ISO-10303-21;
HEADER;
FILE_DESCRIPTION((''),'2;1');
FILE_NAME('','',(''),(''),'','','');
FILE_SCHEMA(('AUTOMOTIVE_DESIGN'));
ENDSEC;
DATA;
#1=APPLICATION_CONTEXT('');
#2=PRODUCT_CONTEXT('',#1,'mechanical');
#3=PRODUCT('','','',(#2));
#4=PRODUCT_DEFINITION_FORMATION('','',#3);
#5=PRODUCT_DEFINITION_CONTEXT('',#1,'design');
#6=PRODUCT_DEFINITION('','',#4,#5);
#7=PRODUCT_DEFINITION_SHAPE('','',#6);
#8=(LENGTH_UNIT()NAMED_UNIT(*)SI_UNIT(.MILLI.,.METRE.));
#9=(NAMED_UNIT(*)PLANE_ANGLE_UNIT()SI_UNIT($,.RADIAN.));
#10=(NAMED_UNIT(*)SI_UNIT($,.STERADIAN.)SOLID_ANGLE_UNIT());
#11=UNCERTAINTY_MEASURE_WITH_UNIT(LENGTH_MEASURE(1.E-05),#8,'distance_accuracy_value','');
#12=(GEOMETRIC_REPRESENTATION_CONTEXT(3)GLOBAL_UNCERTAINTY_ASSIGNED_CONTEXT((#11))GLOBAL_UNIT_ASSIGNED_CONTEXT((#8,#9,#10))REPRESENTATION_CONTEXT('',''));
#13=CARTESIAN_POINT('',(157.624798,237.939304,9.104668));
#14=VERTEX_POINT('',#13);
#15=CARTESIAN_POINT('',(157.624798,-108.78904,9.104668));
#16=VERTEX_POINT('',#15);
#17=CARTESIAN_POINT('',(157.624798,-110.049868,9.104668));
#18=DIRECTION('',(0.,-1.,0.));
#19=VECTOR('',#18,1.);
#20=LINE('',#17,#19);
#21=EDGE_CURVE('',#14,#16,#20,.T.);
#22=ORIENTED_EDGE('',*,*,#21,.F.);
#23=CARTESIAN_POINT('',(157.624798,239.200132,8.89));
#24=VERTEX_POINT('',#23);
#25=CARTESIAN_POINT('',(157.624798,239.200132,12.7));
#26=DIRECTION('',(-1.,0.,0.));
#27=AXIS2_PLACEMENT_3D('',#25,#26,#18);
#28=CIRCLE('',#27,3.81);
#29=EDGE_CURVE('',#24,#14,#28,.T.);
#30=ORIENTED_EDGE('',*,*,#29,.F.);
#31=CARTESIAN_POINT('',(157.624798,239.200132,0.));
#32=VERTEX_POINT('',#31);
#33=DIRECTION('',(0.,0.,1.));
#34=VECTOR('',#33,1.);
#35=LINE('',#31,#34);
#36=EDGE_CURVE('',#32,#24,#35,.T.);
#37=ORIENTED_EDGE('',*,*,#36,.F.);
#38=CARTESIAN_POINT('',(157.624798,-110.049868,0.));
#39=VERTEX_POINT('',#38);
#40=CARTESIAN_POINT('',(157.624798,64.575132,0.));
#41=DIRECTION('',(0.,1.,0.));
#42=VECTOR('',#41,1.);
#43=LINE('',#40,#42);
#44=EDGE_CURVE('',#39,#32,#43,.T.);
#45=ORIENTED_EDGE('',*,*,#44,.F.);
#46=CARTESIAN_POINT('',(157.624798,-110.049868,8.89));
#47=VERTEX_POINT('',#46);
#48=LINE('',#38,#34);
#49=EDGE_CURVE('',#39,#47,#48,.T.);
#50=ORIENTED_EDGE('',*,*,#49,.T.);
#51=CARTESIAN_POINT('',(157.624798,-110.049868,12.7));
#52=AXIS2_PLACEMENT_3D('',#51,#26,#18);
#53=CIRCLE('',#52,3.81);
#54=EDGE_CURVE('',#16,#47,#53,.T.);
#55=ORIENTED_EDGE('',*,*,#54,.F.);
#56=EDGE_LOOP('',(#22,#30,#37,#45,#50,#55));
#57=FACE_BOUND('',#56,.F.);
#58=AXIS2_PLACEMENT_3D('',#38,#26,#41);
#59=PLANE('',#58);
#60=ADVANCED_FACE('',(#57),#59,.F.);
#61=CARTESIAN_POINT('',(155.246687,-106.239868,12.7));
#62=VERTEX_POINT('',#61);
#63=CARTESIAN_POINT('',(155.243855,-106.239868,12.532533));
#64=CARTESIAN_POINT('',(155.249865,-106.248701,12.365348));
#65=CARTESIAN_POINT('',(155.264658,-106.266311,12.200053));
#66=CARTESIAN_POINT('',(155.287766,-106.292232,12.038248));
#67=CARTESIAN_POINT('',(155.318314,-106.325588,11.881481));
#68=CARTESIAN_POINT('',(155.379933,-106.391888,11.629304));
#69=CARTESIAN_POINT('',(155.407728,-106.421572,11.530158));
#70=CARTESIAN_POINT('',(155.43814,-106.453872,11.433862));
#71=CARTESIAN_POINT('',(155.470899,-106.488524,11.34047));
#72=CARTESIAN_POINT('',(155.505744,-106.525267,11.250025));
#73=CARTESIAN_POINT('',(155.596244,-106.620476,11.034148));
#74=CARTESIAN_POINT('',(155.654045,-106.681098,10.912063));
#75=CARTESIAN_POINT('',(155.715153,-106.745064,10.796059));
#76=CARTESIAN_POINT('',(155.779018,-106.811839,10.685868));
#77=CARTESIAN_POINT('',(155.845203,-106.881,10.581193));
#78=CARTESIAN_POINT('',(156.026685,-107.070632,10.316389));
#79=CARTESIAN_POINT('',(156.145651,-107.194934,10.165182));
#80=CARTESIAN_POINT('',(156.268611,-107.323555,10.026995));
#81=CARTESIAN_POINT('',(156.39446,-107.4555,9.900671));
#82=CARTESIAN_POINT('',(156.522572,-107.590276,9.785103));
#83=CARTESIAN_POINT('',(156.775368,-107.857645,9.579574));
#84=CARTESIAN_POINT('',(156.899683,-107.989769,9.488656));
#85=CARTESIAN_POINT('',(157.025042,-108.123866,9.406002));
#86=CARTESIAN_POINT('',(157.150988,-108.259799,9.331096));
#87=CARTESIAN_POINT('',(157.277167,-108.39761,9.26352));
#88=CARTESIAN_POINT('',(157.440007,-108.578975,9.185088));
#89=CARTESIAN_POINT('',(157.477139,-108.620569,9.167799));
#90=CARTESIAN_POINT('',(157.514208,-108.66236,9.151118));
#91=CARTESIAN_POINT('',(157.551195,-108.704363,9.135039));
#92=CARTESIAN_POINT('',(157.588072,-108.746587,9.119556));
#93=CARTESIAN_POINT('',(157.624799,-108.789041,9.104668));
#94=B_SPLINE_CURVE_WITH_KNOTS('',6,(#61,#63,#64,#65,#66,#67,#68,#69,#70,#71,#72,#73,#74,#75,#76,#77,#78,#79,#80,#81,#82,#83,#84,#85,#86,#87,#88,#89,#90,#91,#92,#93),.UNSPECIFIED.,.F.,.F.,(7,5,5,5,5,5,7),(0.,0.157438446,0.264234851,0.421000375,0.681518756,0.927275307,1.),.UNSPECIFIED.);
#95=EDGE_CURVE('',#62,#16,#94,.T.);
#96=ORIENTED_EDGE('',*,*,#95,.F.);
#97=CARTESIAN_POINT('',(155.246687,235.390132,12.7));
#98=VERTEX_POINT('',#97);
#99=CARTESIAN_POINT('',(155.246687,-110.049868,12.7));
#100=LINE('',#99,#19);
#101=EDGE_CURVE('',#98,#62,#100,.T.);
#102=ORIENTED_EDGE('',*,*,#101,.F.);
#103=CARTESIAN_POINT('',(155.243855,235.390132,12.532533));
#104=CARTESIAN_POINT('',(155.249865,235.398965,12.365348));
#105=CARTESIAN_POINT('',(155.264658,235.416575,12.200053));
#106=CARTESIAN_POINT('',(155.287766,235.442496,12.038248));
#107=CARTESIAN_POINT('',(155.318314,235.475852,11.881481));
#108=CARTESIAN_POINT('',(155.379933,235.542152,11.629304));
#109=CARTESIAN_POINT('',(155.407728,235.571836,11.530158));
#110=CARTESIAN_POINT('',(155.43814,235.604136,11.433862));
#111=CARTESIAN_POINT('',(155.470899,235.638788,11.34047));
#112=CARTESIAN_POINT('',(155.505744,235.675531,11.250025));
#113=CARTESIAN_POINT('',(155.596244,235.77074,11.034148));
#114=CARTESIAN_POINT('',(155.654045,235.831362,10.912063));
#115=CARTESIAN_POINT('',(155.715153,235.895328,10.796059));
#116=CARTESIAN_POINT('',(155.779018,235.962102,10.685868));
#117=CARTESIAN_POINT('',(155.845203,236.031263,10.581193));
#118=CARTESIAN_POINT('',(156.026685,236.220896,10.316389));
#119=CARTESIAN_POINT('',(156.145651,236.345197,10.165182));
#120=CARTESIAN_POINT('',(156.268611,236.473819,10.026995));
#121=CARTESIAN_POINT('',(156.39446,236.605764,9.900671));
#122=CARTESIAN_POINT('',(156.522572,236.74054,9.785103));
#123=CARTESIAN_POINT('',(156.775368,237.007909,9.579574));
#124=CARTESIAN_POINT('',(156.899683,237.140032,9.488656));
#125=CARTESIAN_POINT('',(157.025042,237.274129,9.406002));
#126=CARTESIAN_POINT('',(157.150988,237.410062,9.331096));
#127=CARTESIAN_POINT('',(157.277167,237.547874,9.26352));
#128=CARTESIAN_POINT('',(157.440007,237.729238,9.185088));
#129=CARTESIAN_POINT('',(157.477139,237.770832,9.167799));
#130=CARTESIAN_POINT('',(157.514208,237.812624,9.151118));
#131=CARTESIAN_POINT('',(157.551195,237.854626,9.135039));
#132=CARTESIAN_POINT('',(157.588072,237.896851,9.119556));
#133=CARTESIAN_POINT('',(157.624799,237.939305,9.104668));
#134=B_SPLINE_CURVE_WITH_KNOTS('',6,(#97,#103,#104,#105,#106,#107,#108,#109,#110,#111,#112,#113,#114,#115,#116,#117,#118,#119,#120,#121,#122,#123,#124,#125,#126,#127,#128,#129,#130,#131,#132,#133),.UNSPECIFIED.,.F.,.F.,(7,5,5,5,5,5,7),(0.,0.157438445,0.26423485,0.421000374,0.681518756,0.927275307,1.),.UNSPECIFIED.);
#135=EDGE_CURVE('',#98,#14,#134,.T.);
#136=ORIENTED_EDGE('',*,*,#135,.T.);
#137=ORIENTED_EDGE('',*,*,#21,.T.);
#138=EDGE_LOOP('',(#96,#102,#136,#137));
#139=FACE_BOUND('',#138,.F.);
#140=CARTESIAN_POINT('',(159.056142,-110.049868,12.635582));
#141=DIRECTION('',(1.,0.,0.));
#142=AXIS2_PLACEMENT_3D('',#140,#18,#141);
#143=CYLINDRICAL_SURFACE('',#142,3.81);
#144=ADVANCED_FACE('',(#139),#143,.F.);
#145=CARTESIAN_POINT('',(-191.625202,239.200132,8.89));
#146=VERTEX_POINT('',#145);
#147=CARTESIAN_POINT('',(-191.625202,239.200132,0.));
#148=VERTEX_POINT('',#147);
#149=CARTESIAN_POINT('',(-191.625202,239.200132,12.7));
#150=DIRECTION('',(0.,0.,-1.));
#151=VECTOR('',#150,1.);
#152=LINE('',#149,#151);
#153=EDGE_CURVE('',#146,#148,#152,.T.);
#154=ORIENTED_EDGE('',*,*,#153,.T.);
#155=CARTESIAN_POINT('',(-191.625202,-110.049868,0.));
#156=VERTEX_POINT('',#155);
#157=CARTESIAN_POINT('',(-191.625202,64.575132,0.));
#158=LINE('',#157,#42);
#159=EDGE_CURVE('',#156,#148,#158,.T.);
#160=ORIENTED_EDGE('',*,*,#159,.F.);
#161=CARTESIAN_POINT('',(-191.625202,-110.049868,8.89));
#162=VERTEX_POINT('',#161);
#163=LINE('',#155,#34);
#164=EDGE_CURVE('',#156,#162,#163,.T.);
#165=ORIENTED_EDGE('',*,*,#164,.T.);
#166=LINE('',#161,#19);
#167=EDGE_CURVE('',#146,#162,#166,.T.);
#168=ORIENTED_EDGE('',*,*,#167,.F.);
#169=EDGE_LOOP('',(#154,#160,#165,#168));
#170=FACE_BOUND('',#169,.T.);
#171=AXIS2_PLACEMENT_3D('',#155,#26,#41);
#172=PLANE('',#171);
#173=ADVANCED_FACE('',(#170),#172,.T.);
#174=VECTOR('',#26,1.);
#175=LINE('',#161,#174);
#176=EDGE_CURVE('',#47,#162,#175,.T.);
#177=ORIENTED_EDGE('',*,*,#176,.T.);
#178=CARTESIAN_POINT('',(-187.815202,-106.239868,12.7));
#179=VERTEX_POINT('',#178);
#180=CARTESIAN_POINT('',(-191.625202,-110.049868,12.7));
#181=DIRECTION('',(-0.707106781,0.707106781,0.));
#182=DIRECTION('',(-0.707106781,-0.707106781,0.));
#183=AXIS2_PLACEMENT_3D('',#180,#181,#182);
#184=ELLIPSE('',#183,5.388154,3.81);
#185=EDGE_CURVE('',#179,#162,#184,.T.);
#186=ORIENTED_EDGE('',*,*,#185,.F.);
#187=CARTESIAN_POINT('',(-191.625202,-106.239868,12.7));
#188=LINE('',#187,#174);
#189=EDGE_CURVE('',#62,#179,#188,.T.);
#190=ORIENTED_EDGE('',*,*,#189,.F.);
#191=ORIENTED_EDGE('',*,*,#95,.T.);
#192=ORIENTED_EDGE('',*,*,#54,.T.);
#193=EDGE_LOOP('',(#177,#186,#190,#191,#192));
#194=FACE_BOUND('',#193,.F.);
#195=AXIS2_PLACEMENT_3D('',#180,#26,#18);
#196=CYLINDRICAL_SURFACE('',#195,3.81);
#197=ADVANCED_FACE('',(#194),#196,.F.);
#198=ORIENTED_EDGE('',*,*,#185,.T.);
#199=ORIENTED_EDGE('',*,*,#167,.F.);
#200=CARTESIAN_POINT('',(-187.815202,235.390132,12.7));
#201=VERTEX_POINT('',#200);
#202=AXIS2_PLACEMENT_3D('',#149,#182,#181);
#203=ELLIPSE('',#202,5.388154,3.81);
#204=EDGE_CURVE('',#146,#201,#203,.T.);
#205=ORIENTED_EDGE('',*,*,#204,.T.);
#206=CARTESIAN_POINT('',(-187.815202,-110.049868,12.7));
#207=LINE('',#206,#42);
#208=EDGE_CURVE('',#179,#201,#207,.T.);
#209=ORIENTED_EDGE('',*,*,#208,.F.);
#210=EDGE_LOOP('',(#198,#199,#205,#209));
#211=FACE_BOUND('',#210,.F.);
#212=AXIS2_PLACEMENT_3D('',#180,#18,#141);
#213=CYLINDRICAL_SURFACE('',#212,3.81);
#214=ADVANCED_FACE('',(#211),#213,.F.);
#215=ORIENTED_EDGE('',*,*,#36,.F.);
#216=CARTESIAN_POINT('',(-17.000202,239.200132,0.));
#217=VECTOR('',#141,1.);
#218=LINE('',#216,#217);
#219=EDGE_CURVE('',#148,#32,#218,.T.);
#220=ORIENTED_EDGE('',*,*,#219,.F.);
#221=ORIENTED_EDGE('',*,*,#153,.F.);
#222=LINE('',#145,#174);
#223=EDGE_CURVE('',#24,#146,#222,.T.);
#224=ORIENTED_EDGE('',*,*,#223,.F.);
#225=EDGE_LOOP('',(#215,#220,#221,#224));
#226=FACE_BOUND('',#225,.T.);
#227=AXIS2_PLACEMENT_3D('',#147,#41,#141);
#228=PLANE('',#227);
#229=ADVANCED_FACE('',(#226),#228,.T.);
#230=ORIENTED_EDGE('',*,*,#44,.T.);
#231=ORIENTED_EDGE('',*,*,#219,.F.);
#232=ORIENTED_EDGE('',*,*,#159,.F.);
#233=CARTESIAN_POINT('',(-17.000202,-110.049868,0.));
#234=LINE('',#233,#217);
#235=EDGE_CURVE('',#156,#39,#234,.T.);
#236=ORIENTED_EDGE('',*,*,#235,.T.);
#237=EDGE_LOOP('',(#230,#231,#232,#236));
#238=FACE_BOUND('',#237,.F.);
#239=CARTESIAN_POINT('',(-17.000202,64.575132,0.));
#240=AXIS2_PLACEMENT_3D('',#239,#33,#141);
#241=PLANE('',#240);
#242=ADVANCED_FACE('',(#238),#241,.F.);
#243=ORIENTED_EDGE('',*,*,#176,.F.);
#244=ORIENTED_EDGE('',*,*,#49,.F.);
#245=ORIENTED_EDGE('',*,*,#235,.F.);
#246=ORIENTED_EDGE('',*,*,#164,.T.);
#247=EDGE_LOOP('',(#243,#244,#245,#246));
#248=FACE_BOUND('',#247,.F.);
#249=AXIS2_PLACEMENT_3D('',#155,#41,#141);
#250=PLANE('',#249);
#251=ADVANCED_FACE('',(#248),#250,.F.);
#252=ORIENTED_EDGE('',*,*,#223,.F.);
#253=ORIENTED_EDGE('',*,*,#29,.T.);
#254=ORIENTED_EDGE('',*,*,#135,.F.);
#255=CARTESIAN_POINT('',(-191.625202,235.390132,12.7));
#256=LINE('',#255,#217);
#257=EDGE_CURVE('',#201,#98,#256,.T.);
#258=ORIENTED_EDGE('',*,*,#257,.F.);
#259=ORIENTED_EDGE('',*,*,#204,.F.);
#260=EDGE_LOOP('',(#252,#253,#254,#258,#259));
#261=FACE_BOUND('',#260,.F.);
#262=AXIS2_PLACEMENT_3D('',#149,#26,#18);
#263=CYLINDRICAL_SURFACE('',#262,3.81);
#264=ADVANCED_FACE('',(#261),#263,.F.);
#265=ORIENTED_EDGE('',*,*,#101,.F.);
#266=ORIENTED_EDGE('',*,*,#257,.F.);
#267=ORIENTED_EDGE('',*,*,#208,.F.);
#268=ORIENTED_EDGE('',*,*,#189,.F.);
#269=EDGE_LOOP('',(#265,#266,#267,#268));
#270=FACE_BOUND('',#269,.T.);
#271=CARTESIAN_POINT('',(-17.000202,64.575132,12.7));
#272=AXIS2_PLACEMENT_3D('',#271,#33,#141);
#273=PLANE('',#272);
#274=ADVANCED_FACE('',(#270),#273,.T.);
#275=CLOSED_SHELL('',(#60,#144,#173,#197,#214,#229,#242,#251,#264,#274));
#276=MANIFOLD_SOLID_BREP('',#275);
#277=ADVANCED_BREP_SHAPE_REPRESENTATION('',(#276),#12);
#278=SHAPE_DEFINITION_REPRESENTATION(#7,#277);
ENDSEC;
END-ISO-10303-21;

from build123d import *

# Parameters (mm, degrees)
F0_W      = 349.25
F0_H      = 349.25
F1_DEPTH  = 12.7
F4_DEPTH  = 349.251
F5_DEPTH  = 349.251
F3_R      = 3.81
F6_DEPTH  = 349.251
F2_R      = 3.81
F7_DEPTH  = 349.251
F8_R      = 3.81
F9_DEPTH  = 349.251
F10_R     = 3.81
F11_DEPTH = 349.251


with BuildPart() as f1:
    # F0 (on Top) → F1 (new body)
    with BuildSketch(Plane.XY):
        with Locations((-17.0002015829, 64.5751319209)):
            Rectangle(F0_W, F0_H)
    extrude(amount=F1_DEPTH)

    # F3 (on face) → F4 (cut, through all)
    with BuildSketch(Plane(origin=(-191.6252015829, 0, 0), x_dir=(0, -1, 0), z_dir=(-1, 0, 0))):
        with BuildLine():
            ThreePointArc((110.0498680791, 8.89), (112.7439449154, 10.0059231637), (113.8598680791, 12.7))
            ThreePointArc((113.8598680791, 12.7), (110.0498680791, 16.51), (106.2398680791, 12.7))
            Line((106.2398680791, 12.7), (110.0498680791, 12.7))
            Line((110.0498680791, 12.7), (110.0498680791, 8.89))
        make_face()
    extrude(amount=-F4_DEPTH, mode=Mode.SUBTRACT)

    # F2 (on face) → F5 (cut, through all)
    with BuildSketch(Plane.XZ.offset(110.0498680791)):
        with BuildLine():
            Line((-191.6252015829, 12.7), (-187.8152015829, 12.7))
            ThreePointArc((-187.8152015829, 12.7), (-194.3192784192, 15.3940768363), (-191.6252015829, 8.89))
            Line((-191.6252015829, 8.89), (-191.6252015829, 12.7))
        make_face()
    extrude(amount=-F5_DEPTH, mode=Mode.SUBTRACT)

    # F3 (on face) → F6 (cut, through all)
    with BuildSketch(Plane(origin=(-191.6252015829, 0, 0), x_dir=(0, -1, 0), z_dir=(-1, 0, 0))):
        with Locations((110.0498680791, 12.7)):
            Circle(F3_R)
        with Locations((-239.2001319209, 12.7)):
            Circle(F3_R)
    extrude(amount=-F6_DEPTH, mode=Mode.SUBTRACT)

    # F2 (on face) → F7 (cut, through all)
    with BuildSketch(Plane.XZ.offset(110.0498680791)):
        with Locations((-191.6252015829, 12.7)):
            Circle(F2_R)
    extrude(amount=-F7_DEPTH, mode=Mode.SUBTRACT)

    # F8 (on face) → F9 (cut, through all)
    with BuildSketch(Plane.XZ.offset(110.0498680791)):
        with Locations((189.3937587738, 12.5737581402)):
            Circle(F8_R)
    extrude(amount=-F9_DEPTH, mode=Mode.SUBTRACT)

    # F10 (on face) → F11 (cut, through all)
    with BuildSketch(Plane.XZ.offset(110.0498680791)):
        with Locations((159.0561419725, 12.6355821267)):
            Circle(F10_R)
    extrude(amount=-F11_DEPTH, mode=Mode.SUBTRACT)


solid = f1.part
